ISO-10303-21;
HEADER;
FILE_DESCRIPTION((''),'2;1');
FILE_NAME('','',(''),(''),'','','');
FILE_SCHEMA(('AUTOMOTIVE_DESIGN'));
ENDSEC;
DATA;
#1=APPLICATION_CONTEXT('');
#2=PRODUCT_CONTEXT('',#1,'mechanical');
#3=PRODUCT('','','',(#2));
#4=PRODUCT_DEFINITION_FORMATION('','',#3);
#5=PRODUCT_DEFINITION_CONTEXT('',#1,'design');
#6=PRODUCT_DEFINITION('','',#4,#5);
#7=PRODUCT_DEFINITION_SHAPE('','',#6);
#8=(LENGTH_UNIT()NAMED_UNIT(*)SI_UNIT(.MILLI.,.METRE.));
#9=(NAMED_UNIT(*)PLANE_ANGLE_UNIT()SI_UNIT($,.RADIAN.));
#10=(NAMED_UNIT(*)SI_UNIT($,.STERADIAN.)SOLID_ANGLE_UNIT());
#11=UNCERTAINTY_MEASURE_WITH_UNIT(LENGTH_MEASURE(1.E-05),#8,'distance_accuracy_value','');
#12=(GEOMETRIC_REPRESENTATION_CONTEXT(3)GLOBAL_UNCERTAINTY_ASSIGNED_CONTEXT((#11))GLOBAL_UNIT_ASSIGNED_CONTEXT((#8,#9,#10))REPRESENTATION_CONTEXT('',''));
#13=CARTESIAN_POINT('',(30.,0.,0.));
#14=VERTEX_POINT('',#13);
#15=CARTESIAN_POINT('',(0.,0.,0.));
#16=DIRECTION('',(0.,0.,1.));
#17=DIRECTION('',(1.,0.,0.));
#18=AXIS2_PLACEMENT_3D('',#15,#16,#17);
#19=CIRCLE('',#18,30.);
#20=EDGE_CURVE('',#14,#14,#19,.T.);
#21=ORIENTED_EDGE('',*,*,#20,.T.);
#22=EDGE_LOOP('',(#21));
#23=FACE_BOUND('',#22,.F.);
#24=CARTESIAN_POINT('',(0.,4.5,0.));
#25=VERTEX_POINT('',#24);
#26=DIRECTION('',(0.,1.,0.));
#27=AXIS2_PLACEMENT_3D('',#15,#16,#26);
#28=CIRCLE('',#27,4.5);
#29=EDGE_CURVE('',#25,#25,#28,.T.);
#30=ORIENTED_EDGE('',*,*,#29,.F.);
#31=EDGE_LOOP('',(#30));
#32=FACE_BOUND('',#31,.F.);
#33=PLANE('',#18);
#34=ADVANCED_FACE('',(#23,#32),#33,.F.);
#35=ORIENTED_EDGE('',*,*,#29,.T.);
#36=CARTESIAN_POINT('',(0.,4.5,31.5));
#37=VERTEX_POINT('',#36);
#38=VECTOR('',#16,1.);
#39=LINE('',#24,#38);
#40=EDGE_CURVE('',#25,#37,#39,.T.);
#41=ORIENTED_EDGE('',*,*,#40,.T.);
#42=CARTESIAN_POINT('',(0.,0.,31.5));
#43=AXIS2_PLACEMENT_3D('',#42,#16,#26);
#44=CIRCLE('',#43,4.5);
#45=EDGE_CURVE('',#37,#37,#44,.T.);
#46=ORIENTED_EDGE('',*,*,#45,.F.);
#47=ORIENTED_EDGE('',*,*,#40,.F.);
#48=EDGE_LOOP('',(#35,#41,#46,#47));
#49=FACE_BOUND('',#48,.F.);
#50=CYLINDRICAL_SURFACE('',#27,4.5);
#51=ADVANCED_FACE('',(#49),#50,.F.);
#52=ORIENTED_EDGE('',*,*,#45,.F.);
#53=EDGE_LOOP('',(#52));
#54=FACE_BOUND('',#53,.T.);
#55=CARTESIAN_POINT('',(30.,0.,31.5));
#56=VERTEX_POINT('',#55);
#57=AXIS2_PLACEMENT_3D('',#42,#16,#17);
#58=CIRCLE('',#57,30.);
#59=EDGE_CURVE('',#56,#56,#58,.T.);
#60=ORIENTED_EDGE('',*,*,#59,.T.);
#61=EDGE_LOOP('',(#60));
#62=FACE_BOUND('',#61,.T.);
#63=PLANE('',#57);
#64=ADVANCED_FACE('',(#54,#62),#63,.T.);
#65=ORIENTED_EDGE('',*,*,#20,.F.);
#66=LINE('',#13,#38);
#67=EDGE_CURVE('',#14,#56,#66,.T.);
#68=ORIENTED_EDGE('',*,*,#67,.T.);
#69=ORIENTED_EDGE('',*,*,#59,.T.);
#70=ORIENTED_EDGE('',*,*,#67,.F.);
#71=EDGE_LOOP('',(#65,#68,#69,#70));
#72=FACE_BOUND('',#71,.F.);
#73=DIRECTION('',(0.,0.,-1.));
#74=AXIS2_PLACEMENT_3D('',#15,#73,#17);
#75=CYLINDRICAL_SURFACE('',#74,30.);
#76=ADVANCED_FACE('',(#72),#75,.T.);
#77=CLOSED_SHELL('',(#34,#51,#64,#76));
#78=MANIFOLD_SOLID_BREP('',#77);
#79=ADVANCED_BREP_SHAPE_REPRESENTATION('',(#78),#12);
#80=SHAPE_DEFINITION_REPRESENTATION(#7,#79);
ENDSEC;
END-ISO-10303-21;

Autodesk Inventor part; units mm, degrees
ref_plane "YZ Plane" through (0, 0, 0) normal (1, 0, 0) x (0, 1, 0)
ref_plane "XZ Plane" through (0, 0, 0) normal (0, 1, 0) x (-1, 0, 0)
ref_plane "XY Plane" through (0, 0, 0) normal (0, 0, 1) x (1, 0, 0)
sketch "Skizze1" plane through (0, 0, 0) normal (0, 0, 1) x (1, 0, 0)
  circle A0 centre (0, 0) radius 30
  dimension "d0" = 60
extrude "Extrusion1" add sketch "Skizze1" along normal blind 31.5
hole "Bohrung1" at (0, 0, 0) direction (0, 0, 1) diameter 9 end through all clearance for "Inbusschraube DIN EN ISO 4762" size "M8" standard "DIN"
properties part number "CapstonAxis0_Weights" material "Messing, weicher Gelbton"
